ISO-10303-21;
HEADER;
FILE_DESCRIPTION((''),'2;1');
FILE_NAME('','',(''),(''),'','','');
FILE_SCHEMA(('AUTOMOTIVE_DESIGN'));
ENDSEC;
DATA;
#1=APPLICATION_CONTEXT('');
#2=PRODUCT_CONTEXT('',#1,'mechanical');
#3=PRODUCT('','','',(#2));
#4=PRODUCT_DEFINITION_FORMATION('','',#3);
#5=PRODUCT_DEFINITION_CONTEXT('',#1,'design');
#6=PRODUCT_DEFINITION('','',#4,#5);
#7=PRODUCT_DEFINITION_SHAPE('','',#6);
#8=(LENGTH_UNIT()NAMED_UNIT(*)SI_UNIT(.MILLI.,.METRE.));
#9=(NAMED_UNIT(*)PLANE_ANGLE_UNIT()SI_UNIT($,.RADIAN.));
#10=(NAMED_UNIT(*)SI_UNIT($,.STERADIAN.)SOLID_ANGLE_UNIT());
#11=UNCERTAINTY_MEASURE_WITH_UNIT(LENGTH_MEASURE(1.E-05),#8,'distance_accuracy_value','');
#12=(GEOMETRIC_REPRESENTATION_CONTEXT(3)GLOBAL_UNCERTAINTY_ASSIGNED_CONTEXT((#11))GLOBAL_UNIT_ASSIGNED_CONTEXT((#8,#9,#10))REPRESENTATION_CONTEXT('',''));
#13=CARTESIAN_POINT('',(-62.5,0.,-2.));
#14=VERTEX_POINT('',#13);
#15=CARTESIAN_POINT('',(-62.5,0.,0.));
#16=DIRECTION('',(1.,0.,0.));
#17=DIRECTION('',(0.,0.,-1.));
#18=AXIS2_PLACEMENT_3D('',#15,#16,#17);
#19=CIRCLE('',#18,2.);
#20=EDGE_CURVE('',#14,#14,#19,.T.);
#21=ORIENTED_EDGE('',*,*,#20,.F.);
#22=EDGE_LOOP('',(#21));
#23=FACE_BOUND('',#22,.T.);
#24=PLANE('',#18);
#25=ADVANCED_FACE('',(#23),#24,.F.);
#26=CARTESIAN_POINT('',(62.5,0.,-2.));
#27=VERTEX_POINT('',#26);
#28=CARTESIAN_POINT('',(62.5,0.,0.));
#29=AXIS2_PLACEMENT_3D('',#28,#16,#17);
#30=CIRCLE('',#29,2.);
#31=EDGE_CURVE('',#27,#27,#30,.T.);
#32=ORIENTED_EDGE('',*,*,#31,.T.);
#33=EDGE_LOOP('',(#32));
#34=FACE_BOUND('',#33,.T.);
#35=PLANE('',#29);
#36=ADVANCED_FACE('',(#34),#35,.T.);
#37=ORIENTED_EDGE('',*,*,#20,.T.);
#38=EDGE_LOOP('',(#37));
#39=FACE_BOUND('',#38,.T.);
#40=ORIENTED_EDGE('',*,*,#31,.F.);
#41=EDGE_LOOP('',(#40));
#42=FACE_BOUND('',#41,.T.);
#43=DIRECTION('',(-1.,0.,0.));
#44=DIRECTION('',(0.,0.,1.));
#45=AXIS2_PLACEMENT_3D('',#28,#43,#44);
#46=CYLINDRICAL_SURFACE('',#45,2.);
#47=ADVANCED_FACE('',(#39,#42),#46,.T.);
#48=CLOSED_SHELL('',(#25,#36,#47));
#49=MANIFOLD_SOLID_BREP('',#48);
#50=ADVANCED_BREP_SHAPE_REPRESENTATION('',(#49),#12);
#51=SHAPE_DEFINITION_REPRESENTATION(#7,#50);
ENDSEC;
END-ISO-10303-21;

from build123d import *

# Parameters (mm, degrees)
SKETCH1_R           = 2
BOSS_EXTRUDE1_DEPTH = 62.5


with BuildPart() as part:
    # Sketch1 → Boss-Extrude1 (new body, symmetric)
    with BuildSketch(Plane(origin=(0, 0, 0), x_dir=(0, 0, -1), z_dir=(1, 0, 0))):
        Circle(SKETCH1_R)
    extrude(amount=BOSS_EXTRUDE1_DEPTH, both=True)


solid = part.part
